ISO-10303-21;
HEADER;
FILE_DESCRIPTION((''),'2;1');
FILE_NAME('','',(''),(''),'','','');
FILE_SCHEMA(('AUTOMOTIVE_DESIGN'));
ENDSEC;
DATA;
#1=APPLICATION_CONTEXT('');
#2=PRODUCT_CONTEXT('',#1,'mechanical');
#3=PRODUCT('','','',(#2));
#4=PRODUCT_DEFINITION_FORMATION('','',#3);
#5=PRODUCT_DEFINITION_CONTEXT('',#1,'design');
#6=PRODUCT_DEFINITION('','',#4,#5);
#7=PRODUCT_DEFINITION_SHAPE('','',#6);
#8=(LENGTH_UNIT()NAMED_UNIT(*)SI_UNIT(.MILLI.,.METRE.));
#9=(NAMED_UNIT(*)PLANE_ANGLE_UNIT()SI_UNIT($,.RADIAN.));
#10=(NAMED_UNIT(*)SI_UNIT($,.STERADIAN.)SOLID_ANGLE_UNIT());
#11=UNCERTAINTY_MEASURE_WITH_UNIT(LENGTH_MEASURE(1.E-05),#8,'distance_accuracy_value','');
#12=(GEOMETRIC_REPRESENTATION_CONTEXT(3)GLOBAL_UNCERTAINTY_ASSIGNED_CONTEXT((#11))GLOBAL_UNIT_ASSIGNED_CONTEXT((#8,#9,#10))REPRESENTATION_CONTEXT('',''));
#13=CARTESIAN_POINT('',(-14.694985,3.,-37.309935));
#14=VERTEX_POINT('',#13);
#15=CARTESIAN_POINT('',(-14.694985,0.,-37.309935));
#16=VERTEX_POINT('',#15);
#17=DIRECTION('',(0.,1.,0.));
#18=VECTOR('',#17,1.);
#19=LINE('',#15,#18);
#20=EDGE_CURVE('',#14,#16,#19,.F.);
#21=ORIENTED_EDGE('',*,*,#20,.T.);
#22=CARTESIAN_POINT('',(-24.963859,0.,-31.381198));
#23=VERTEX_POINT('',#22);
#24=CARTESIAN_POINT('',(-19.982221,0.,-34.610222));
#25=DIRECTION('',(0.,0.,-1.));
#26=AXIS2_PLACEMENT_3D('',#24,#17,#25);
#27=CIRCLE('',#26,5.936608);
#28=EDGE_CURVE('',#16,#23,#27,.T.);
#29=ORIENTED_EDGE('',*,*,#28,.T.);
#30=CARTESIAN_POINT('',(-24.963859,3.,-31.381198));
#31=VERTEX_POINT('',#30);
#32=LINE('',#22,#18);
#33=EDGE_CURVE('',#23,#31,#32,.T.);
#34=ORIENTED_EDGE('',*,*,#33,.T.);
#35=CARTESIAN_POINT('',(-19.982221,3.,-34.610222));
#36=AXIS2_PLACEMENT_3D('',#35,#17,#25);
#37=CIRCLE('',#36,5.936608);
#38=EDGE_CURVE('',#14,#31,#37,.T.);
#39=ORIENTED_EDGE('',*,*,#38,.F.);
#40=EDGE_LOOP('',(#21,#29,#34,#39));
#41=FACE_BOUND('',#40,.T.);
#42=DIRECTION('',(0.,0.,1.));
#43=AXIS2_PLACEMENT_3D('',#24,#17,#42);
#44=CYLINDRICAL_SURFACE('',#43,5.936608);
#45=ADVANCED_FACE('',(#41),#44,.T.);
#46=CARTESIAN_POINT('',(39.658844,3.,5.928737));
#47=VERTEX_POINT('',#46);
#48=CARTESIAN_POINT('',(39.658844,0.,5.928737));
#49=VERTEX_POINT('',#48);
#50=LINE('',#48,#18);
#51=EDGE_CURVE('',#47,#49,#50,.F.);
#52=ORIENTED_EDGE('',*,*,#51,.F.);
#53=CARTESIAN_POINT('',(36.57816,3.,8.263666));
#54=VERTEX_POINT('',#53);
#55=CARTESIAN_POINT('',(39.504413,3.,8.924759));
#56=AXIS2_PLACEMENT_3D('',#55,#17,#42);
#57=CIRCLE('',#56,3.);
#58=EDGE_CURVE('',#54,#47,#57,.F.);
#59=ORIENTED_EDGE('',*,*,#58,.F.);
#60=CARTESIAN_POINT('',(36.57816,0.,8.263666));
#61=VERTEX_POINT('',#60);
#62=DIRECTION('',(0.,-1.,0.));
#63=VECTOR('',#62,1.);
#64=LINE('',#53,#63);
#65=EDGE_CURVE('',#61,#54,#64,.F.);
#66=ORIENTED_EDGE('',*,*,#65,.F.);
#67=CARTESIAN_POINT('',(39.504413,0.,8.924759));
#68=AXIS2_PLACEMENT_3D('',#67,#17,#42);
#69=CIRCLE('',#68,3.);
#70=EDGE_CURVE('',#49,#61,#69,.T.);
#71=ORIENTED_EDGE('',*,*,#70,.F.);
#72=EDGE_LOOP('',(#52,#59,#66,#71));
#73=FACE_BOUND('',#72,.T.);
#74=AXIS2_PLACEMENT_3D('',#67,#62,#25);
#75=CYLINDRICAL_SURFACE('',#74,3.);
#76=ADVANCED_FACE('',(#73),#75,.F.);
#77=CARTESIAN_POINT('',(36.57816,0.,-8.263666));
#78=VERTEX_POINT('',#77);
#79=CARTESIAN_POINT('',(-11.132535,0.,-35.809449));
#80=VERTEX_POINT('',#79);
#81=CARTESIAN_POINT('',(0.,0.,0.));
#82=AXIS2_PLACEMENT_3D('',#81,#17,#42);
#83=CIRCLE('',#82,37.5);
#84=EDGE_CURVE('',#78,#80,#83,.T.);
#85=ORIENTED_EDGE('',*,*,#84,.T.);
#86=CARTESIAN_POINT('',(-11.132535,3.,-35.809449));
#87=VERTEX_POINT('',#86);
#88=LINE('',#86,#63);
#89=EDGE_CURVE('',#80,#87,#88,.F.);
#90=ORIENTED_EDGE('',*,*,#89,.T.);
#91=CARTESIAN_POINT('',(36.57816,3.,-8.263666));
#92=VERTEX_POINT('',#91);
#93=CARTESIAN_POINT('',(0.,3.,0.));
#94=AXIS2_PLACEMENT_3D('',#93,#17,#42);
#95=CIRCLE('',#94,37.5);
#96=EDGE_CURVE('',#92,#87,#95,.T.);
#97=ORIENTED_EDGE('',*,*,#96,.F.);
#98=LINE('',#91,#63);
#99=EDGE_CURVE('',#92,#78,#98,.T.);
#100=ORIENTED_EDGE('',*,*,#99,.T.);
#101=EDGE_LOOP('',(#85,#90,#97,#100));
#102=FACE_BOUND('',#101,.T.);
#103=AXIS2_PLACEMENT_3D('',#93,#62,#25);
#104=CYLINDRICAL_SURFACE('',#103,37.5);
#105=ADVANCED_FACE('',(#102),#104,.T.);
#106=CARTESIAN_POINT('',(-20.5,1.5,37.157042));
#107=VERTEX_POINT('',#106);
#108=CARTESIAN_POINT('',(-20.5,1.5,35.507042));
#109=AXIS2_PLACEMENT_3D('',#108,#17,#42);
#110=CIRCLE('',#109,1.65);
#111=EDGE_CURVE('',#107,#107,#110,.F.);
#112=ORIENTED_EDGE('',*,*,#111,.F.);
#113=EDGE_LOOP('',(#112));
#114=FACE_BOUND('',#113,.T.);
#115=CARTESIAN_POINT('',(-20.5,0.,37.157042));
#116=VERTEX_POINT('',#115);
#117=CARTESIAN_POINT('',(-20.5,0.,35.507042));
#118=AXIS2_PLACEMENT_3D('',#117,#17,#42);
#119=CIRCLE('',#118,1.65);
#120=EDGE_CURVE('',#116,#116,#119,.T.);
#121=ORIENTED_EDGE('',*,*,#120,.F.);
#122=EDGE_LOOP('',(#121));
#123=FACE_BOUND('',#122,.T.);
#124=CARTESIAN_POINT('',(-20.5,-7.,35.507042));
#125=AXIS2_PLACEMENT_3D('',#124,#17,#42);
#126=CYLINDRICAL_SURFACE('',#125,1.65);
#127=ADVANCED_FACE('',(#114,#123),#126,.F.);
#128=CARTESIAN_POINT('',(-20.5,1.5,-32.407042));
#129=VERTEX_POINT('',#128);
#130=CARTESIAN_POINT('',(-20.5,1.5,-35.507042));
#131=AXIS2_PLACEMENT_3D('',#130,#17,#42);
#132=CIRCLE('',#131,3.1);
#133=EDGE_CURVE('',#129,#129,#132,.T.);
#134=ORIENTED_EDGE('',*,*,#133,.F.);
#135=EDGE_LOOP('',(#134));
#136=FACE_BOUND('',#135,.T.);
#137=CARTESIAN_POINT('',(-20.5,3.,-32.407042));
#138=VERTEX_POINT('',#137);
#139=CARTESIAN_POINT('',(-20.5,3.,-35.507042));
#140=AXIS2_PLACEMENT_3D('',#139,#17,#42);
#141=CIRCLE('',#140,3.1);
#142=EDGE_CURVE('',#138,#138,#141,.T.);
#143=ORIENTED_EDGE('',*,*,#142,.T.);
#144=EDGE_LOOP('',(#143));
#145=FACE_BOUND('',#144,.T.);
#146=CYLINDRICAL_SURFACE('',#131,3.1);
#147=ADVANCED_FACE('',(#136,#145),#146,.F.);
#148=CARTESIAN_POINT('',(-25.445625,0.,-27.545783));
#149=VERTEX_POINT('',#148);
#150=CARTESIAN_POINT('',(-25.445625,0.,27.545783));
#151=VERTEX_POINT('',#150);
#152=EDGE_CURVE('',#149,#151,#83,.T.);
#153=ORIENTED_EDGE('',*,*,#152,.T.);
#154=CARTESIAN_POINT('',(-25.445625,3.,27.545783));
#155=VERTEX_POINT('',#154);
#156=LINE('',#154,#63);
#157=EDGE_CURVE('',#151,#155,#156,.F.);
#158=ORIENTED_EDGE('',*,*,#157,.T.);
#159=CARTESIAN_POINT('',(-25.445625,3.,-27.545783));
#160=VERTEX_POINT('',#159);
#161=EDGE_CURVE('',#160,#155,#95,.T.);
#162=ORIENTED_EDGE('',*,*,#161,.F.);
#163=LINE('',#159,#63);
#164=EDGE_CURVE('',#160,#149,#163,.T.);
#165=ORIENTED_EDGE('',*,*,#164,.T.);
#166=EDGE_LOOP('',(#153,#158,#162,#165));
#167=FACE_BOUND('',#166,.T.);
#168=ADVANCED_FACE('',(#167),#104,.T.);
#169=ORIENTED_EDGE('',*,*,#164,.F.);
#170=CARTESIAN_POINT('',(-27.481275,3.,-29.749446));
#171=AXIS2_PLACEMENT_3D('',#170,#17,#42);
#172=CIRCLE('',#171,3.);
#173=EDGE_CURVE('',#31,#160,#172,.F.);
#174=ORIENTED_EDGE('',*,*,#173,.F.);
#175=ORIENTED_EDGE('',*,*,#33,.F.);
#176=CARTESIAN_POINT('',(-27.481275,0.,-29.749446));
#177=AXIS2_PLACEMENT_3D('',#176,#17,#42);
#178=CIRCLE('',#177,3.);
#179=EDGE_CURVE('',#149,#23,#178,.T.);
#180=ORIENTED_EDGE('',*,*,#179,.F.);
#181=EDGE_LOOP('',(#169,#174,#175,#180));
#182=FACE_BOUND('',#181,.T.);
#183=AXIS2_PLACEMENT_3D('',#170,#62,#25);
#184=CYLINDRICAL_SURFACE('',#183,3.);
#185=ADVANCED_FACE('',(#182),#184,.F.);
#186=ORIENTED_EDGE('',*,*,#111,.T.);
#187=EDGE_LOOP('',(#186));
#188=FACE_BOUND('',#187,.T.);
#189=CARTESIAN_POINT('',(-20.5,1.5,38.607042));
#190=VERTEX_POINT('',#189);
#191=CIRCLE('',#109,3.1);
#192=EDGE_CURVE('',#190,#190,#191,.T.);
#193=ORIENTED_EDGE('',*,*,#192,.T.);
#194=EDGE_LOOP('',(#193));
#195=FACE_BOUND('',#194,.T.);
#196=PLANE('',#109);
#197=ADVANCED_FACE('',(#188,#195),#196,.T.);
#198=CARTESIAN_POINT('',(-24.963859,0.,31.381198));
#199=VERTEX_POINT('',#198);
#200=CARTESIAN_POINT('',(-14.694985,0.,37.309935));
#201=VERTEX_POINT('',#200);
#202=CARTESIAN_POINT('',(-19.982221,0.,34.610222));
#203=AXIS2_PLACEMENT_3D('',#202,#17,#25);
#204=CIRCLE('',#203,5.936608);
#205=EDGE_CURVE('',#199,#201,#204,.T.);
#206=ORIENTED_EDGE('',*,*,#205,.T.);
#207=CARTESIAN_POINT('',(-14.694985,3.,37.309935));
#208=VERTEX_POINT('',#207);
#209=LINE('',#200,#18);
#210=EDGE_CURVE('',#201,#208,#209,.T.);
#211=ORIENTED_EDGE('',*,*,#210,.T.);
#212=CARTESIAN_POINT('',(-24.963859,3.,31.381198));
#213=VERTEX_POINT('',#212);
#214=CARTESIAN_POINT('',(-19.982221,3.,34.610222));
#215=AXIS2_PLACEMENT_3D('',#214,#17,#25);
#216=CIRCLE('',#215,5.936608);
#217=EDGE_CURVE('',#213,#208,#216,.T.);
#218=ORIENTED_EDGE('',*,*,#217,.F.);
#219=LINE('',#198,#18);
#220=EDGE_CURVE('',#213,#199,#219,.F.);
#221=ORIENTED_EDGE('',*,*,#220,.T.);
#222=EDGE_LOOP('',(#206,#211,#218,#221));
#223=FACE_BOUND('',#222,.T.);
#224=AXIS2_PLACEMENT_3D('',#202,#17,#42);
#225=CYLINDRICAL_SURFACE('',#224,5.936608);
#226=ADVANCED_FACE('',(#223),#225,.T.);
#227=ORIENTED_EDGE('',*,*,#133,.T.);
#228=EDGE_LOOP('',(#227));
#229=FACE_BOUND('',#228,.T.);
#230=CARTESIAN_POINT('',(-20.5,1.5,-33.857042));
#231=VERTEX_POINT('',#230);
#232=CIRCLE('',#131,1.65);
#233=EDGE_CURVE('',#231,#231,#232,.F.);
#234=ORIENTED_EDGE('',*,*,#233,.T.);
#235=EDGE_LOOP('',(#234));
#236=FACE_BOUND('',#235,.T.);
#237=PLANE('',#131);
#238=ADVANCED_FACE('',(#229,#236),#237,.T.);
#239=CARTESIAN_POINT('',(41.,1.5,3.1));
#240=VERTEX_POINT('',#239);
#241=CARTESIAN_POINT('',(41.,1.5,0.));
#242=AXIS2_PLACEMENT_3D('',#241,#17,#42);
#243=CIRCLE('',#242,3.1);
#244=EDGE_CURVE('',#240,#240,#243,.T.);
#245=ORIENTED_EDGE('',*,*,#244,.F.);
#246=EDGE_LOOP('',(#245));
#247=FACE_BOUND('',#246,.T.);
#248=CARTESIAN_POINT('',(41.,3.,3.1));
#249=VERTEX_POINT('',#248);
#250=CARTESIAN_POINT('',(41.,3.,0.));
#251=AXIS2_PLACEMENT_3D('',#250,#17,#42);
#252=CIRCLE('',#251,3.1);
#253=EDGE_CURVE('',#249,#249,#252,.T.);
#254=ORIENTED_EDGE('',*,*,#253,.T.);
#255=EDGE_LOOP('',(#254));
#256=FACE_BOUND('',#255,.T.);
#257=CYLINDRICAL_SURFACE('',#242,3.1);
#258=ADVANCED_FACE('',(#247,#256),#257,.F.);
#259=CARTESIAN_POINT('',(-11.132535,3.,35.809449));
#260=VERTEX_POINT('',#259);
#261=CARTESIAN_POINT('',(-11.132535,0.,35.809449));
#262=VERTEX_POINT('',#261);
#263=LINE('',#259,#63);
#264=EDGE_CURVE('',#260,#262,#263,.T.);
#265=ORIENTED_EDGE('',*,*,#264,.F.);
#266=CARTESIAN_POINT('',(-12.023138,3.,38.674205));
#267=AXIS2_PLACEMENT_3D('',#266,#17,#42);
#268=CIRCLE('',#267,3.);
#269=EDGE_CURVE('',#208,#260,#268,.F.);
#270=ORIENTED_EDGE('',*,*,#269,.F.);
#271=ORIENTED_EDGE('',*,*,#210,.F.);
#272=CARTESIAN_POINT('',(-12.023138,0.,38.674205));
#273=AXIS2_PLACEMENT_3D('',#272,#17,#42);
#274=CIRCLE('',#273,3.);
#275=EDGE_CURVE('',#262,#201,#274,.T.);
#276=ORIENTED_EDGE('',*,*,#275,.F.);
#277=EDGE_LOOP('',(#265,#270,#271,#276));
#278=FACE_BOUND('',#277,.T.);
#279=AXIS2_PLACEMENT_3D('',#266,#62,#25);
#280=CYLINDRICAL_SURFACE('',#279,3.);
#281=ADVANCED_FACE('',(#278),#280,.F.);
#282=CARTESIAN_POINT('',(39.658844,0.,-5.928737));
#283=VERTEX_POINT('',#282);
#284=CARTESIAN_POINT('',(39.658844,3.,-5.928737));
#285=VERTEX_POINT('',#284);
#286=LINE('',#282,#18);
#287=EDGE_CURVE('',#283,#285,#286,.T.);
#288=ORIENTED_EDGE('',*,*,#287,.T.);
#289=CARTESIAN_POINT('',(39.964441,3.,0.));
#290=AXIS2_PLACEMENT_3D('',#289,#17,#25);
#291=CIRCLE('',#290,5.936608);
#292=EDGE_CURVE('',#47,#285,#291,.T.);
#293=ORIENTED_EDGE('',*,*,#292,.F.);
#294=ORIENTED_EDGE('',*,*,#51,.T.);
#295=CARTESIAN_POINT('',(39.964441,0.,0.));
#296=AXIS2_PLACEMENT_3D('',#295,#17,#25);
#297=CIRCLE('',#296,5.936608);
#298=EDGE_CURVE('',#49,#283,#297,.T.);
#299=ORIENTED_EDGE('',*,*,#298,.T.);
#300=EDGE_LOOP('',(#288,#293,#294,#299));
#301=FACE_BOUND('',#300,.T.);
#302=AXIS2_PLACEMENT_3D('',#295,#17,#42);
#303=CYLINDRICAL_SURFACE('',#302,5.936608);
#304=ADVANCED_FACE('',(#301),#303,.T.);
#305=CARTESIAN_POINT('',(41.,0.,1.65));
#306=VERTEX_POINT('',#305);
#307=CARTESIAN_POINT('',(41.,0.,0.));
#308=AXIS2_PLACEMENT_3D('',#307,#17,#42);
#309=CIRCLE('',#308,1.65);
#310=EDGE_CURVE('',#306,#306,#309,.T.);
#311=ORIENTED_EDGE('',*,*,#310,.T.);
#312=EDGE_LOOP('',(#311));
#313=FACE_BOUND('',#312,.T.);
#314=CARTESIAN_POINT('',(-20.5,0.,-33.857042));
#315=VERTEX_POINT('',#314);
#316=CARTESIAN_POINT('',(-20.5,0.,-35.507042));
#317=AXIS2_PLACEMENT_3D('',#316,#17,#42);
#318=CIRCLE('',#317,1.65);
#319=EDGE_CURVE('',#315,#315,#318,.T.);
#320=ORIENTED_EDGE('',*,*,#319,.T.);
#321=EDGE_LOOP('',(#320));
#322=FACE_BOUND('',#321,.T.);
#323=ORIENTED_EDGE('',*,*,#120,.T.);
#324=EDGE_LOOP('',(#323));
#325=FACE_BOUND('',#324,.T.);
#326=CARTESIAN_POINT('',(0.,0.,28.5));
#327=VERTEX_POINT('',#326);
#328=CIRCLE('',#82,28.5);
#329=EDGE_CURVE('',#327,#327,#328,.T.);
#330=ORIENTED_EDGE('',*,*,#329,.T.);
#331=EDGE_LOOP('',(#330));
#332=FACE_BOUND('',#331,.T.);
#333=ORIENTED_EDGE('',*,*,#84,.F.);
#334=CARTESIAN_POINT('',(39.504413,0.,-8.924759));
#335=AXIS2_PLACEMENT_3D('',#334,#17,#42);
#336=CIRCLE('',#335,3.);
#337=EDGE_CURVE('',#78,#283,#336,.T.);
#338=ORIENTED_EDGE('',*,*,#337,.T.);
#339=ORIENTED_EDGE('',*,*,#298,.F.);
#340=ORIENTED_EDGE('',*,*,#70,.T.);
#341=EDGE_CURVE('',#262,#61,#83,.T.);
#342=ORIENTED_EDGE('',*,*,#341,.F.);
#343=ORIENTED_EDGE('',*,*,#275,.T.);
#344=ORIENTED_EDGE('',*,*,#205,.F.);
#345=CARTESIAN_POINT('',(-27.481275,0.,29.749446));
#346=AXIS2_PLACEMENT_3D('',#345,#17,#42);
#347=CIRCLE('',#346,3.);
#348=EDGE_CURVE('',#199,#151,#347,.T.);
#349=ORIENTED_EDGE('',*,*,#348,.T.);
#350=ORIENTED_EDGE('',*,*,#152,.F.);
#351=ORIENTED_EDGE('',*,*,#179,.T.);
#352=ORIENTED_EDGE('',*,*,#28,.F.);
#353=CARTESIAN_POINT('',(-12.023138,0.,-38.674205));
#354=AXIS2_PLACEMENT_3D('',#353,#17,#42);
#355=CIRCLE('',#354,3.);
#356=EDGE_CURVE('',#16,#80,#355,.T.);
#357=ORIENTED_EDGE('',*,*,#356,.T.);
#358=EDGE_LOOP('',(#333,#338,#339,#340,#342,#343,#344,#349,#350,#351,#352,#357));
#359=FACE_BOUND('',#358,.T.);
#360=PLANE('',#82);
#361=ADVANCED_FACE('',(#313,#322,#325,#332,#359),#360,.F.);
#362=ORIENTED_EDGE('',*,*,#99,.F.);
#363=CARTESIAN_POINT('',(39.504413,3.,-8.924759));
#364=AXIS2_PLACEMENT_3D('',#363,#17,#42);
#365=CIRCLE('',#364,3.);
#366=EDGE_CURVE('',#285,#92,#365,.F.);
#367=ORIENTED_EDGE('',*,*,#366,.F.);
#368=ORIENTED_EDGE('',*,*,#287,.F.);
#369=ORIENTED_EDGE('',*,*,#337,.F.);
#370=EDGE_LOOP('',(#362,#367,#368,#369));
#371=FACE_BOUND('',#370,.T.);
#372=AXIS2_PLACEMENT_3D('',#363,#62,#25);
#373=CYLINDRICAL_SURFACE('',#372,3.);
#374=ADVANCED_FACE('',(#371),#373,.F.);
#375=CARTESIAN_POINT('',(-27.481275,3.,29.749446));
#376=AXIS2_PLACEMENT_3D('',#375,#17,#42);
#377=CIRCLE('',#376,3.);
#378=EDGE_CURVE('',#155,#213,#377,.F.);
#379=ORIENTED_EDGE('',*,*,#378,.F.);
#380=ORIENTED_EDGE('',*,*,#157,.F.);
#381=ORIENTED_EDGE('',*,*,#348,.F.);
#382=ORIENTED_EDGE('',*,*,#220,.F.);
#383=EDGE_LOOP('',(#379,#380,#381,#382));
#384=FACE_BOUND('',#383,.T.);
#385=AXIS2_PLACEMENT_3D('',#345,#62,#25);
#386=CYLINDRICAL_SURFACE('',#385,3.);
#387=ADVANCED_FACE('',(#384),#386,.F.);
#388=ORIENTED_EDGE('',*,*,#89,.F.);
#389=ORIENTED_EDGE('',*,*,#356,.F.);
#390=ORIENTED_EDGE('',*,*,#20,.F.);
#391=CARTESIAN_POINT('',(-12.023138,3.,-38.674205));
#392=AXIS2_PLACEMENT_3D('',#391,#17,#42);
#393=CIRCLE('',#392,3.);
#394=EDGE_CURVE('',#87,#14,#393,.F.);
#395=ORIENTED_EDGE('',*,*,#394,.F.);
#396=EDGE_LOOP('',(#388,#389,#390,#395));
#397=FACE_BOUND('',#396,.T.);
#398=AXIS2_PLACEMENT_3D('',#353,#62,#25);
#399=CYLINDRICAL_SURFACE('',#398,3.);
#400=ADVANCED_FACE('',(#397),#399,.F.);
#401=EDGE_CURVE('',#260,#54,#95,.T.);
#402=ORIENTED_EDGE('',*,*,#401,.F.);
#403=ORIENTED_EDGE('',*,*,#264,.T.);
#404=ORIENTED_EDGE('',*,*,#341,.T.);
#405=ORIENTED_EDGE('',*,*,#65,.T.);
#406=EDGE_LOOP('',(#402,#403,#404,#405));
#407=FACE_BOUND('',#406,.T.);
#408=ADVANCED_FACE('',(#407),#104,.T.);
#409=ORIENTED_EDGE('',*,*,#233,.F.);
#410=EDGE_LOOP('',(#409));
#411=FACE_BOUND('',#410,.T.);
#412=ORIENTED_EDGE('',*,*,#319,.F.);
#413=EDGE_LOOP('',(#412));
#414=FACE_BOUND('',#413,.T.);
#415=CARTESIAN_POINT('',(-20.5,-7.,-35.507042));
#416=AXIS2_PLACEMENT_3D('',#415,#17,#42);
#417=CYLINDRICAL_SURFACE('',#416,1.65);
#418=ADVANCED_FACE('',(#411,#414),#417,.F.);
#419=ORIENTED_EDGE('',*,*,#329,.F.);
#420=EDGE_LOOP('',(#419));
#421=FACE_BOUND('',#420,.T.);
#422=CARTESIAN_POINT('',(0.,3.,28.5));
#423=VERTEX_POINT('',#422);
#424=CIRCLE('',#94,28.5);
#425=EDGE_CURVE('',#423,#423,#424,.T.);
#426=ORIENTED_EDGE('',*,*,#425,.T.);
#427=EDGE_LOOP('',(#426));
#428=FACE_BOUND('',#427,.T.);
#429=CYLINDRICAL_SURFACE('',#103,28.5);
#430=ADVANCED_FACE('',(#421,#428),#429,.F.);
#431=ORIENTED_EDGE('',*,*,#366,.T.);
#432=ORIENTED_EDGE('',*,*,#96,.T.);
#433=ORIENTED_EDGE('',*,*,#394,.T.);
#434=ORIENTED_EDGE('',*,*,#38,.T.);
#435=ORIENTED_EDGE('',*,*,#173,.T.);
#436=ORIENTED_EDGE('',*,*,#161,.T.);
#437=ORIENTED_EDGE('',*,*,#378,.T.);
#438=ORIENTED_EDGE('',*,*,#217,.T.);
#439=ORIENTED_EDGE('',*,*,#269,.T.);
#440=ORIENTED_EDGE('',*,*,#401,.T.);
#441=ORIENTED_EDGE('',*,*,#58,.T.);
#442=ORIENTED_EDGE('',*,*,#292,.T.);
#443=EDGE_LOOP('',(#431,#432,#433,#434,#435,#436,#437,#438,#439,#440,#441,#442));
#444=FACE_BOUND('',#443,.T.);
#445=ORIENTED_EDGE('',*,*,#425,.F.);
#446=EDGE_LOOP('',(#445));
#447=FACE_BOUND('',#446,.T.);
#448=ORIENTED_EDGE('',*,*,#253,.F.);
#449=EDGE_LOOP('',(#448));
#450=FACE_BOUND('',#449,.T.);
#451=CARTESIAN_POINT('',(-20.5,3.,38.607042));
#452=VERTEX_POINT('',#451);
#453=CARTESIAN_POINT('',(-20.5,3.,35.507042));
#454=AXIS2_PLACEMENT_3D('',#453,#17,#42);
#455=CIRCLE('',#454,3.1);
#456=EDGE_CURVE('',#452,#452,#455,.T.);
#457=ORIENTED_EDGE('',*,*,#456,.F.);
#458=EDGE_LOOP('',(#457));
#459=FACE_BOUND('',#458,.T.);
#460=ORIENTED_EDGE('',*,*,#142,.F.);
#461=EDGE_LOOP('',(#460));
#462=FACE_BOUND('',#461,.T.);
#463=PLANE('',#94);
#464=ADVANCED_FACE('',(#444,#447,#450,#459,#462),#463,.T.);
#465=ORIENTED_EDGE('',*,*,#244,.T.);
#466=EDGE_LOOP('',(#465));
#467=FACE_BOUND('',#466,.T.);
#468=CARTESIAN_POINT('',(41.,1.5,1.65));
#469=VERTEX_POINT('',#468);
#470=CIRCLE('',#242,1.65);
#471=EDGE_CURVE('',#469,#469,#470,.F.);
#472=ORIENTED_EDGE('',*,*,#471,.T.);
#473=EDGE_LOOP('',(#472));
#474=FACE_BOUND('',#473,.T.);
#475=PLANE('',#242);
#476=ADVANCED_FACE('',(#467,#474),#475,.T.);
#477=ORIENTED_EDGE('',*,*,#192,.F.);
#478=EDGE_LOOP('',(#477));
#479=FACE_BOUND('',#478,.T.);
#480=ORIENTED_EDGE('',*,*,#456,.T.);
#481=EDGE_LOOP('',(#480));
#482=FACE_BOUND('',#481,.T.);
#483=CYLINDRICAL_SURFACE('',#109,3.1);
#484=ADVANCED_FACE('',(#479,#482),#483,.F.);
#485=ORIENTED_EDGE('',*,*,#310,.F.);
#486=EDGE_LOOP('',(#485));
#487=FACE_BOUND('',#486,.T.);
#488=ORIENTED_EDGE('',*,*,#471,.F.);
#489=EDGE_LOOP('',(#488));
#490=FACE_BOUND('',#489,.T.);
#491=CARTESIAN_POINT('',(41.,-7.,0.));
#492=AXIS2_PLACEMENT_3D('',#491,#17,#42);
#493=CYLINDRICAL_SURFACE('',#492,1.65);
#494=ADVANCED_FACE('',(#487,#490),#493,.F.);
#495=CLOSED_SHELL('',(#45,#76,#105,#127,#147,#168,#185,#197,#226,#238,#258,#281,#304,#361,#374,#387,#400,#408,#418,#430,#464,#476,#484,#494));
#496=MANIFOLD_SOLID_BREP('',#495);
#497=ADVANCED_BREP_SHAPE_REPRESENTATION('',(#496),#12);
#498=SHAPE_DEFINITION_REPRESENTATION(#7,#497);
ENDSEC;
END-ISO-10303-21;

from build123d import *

# Parameters (mm, degrees)
SKETCH1_R           = 37.5
SKETCH1_R_2         = 28.5
BOSS_EXTRUDE1_DEPTH = 3
BOSS_EXTRUDE2_START = -3
BOSS_EXTRUDE2_DEPTH = 3
SKETCH6_R           = 1.65
CUT_EXTRUDE2_DEPTH  = 10
SKETCH7_R           = 3.1
CUT_EXTRUDE3_DEPTH  = 1.5
FILLET1_R           = 3


with BuildPart() as part:
    # Sketch1 → Boss-Extrude1 (new body)
    with BuildSketch(Plane(origin=(0, 0, 0), x_dir=(1, 0, 0), z_dir=(0, 1, 0))):
        with Locations(Location((0, 0, 0), (0, 0, 270))):
            Circle(SKETCH1_R)
        with Locations(Location((0, 0, 0), (0, 0, 270))):
            Circle(SKETCH1_R_2, mode=Mode.SUBTRACT)
    extrude(amount=BOSS_EXTRUDE1_DEPTH)

    # Sketch3 → Boss-Extrude2 (add)
    with BuildSketch(Plane(origin=(0, 3, 0), x_dir=(1, 0, 0), z_dir=(0, 1, 0)).offset(BOSS_EXTRUDE2_START)):
        with BuildLine():
            ThreePointArc((37.135052578, 5.218991286), (45.901049183, 0), (37.135052578, -5.218991286))
            ThreePointArc((37.135052578, -5.218991286), (37.5, 0), (37.135052578, 5.218991286))
        make_face()
        with BuildLine():
            ThreePointArc((-14.047747253, -34.769394546), (-22.950524592, -39.751474653), (-23.087305325, -29.55040326))
            ThreePointArc((-23.087305325, -29.55040326), (-18.75, -32.475952642), (-14.047747253, -34.769394546))
        make_face()
        with BuildLine():
            ThreePointArc((-23.087305325, 29.55040326), (-22.950524592, 39.751474653), (-14.047747253, 34.769394546))
            ThreePointArc((-14.047747253, 34.769394546), (-18.75, 32.475952642), (-23.087305325, 29.55040326))
        make_face()
    extrude(amount=BOSS_EXTRUDE2_DEPTH)

    # Sketch6 → Cut-Extrude2 (cut)
    with BuildSketch(Plane(origin=(0, 3, 0), x_dir=(1, 0, 0), z_dir=(0, 1, 0))):
        with Locations(Location((41, 0, 0), (0, 0, 270))):
            Circle(SKETCH6_R)
        with Locations(Location((-20.5, -35.507041555, 0), (0, 0, 270))):
            Circle(SKETCH6_R)
        with Locations(Location((-20.5, 35.507041555, 0), (0, 0, 270))):
            Circle(SKETCH6_R)
    extrude(amount=-CUT_EXTRUDE2_DEPTH, mode=Mode.SUBTRACT)

    # Sketch7 → Cut-Extrude3 (cut)
    with BuildSketch(Plane(origin=(0, 3, 0), x_dir=(1, 0, 0), z_dir=(0, 1, 0))):
        with Locations(Location((41, 0, 0), (0, 0, 270))):
            Circle(SKETCH7_R)
        with Locations(Location((-20.5, -35.507041555, 0), (0, 0, 270))):
            Circle(SKETCH7_R)
        with Locations(Location((-20.5, 35.507041555, 0), (0, 0, 270))):
            Circle(SKETCH7_R)
    extrude(amount=-CUT_EXTRUDE3_DEPTH, mode=Mode.SUBTRACT)

    # Fillet1
    fillet1_edges = [part.edges().sort_by_distance(p)[0] for p in [
        (37.135052578, 1.5, 5.218991286),
        (37.135052578, 1.5, -5.218991286),
        (-23.087305325, 1.5, 29.55040326),
        (-14.047747253, 1.5, 34.769394546),
        (-14.047747253, 1.5, -34.769394546),
        (-23.087305325, 1.5, -29.55040326),
    ]]
    fillet(fillet1_edges, radius=FILLET1_R)


solid = part.part
